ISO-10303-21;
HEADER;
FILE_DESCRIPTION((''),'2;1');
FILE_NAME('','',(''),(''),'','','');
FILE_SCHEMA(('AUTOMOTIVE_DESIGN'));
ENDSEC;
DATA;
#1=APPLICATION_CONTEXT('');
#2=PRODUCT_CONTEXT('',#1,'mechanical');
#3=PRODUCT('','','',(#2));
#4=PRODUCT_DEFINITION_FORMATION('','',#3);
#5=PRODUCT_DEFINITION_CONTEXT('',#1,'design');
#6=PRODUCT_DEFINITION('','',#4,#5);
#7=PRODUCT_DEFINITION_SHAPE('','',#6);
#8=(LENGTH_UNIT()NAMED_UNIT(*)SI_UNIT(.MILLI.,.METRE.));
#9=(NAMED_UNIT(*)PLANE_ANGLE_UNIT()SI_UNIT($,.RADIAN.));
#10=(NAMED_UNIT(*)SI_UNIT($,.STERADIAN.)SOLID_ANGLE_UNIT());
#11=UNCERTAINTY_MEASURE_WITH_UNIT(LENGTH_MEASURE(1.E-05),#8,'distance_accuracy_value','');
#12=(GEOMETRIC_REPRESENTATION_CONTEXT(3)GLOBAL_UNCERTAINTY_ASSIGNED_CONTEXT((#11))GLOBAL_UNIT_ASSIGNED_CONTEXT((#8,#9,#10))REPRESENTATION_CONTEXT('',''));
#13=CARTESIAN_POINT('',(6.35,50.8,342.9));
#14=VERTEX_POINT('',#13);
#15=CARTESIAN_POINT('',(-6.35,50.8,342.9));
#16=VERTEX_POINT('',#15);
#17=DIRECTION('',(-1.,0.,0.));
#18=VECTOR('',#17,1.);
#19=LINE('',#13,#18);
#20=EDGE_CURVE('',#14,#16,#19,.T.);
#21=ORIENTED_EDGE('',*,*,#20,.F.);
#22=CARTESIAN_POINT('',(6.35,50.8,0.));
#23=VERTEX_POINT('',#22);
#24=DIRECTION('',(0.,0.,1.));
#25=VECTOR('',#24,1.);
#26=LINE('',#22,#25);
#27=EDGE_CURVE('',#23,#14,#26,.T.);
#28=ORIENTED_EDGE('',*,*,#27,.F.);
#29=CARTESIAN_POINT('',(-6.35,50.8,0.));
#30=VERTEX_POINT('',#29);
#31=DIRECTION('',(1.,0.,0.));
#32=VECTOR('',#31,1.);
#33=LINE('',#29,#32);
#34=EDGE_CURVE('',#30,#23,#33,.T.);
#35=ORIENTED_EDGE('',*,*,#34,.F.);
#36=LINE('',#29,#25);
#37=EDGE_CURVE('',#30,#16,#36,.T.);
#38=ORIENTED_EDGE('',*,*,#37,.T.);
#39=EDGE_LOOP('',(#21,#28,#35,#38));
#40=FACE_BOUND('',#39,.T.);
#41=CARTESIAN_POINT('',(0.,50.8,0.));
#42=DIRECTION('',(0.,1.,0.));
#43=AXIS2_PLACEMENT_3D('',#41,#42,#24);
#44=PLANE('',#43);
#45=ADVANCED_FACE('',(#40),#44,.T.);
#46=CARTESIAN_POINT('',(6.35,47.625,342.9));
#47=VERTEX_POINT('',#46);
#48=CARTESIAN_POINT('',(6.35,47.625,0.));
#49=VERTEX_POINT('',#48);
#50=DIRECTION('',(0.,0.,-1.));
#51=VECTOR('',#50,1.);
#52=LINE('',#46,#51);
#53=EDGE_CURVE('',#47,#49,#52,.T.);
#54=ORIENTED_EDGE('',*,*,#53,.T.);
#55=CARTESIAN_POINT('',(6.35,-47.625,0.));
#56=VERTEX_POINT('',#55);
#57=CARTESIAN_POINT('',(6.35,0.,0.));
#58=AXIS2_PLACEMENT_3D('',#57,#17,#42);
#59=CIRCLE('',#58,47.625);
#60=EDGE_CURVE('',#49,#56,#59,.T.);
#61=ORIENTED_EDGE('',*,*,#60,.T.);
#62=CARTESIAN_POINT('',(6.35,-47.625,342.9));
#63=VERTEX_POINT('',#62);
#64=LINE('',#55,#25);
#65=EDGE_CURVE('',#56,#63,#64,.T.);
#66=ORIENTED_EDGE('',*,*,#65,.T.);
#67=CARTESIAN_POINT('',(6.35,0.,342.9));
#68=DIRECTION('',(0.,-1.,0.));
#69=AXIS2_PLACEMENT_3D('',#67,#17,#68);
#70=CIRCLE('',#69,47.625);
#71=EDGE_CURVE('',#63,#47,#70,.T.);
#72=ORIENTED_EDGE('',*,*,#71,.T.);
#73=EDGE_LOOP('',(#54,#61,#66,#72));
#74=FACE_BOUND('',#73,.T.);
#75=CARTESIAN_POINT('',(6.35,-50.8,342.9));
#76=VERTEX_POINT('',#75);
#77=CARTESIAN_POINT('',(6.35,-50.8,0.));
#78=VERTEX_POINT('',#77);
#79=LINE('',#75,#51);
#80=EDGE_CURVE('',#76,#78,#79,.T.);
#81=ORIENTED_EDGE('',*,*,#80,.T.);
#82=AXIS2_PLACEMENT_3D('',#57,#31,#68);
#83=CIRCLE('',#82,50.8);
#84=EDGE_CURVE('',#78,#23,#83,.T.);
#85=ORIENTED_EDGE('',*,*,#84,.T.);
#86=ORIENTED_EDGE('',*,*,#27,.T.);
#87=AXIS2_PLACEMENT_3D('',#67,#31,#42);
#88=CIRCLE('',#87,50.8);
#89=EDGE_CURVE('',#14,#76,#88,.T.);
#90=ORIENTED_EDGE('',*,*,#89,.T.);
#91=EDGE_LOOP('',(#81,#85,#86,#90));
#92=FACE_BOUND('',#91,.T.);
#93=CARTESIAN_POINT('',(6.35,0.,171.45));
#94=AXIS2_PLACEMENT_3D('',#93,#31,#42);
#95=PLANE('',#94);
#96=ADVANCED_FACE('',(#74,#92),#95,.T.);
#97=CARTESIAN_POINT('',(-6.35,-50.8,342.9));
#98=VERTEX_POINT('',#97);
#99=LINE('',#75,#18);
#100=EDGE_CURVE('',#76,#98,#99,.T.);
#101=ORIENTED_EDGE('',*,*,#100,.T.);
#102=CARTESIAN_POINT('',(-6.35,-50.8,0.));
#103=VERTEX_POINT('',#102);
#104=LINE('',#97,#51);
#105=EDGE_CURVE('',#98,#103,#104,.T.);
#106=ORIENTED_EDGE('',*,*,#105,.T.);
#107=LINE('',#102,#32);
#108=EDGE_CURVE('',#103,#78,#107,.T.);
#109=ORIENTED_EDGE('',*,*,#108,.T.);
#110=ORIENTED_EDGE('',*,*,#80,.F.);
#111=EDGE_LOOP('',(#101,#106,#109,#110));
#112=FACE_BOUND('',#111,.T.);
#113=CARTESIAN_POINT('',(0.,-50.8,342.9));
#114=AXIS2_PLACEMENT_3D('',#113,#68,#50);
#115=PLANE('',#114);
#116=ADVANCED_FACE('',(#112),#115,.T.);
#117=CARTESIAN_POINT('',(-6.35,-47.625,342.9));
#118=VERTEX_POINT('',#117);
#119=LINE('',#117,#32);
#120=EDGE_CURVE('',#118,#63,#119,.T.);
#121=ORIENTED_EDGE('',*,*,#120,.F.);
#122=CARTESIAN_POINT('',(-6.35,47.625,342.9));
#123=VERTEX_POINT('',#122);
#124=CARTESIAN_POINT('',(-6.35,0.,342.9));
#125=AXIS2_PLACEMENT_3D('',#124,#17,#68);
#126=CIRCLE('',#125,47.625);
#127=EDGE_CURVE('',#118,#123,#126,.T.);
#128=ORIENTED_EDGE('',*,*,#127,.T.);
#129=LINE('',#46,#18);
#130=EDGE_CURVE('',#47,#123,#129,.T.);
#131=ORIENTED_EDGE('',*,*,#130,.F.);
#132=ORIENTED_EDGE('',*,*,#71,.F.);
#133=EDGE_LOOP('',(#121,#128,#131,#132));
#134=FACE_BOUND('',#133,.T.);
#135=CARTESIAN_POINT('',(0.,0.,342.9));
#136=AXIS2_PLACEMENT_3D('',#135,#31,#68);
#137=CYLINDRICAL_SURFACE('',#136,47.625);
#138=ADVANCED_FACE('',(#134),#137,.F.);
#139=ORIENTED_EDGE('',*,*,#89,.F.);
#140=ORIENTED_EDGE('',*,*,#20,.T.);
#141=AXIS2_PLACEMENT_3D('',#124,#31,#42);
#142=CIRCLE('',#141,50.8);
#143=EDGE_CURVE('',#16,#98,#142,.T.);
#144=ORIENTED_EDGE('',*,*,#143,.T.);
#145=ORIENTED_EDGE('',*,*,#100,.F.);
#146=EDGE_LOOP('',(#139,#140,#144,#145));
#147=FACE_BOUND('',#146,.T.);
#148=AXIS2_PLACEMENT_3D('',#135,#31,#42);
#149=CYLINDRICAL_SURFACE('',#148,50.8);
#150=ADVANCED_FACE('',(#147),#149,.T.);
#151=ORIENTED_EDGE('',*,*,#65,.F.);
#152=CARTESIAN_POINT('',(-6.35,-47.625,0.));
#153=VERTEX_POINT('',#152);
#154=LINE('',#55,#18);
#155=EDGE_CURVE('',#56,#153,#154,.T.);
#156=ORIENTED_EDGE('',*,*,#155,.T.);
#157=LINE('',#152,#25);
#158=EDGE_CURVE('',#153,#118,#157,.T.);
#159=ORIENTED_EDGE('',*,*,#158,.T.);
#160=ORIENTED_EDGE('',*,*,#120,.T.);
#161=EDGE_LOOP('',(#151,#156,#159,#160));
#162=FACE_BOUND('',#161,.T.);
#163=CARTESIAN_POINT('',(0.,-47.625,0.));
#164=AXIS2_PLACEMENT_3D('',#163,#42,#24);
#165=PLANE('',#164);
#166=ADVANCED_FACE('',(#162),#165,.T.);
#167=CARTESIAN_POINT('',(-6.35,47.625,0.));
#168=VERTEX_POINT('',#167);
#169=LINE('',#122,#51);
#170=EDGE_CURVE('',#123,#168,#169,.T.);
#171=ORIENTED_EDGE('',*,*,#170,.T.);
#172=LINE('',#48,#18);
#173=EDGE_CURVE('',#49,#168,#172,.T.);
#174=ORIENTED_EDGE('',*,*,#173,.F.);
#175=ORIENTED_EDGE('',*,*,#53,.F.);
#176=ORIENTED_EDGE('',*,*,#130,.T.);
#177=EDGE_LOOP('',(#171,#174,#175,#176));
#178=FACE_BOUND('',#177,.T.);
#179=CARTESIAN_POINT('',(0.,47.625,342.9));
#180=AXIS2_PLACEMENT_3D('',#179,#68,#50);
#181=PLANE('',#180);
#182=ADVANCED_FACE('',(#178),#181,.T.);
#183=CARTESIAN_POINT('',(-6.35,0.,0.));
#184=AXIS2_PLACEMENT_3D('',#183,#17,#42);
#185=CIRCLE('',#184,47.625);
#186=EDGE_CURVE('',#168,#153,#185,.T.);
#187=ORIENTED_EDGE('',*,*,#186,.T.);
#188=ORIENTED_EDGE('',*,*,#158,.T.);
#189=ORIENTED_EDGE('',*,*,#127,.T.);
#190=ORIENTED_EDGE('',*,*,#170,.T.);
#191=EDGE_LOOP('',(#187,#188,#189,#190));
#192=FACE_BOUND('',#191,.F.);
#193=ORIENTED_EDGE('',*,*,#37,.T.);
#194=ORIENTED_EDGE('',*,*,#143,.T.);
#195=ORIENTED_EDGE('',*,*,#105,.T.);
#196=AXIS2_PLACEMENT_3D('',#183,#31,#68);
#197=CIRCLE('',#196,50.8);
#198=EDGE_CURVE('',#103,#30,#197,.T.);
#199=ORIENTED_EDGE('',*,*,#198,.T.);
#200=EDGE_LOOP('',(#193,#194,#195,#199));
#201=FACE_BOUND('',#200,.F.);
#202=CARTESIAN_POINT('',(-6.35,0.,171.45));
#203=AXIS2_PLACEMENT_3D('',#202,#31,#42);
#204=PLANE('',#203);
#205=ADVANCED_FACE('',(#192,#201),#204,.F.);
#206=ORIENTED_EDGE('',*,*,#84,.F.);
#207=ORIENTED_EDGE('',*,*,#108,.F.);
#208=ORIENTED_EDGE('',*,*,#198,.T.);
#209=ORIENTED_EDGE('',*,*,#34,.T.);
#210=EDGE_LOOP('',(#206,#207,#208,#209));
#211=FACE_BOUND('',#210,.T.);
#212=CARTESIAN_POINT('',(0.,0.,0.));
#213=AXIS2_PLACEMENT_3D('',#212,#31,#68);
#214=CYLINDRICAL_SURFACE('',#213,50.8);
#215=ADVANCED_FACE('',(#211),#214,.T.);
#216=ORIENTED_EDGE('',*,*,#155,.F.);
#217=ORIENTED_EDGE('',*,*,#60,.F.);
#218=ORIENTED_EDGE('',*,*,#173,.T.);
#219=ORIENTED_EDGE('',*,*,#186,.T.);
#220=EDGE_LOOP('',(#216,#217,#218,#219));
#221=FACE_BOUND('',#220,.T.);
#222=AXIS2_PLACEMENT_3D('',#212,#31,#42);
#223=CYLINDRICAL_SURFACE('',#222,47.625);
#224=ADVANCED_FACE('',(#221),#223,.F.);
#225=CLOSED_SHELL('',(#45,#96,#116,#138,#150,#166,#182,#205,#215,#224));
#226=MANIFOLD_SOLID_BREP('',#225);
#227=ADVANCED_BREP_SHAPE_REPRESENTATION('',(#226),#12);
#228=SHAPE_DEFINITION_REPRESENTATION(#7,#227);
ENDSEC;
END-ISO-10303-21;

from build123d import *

# Parameters (mm, degrees)
F1_DEPTH = 6.35


with BuildPart() as f1:
    # F0 (on Right) → F1 (new body, symmetric)
    with BuildSketch(Plane.YZ):
        with BuildLine():
            Line((-50.8, 342.9), (-50.8, 0))
            ThreePointArc((-50.8, 0), (0, -50.8), (50.8, 0))
            Line((50.8, 0), (50.8, 342.9))
            ThreePointArc((50.8, 342.9), (0, 393.7), (-50.8, 342.9))
        make_face()
        with BuildLine():
            ThreePointArc((-47.625, 342.9), (0, 390.525), (47.625, 342.9))
            Line((47.625, 342.9), (47.625, 0))
            ThreePointArc((47.625, 0), (0, -47.625), (-47.625, 0))
            Line((-47.625, 0), (-47.625, 342.9))
        make_face(mode=Mode.SUBTRACT)
    extrude(amount=F1_DEPTH, both=True)


solid = f1.part
